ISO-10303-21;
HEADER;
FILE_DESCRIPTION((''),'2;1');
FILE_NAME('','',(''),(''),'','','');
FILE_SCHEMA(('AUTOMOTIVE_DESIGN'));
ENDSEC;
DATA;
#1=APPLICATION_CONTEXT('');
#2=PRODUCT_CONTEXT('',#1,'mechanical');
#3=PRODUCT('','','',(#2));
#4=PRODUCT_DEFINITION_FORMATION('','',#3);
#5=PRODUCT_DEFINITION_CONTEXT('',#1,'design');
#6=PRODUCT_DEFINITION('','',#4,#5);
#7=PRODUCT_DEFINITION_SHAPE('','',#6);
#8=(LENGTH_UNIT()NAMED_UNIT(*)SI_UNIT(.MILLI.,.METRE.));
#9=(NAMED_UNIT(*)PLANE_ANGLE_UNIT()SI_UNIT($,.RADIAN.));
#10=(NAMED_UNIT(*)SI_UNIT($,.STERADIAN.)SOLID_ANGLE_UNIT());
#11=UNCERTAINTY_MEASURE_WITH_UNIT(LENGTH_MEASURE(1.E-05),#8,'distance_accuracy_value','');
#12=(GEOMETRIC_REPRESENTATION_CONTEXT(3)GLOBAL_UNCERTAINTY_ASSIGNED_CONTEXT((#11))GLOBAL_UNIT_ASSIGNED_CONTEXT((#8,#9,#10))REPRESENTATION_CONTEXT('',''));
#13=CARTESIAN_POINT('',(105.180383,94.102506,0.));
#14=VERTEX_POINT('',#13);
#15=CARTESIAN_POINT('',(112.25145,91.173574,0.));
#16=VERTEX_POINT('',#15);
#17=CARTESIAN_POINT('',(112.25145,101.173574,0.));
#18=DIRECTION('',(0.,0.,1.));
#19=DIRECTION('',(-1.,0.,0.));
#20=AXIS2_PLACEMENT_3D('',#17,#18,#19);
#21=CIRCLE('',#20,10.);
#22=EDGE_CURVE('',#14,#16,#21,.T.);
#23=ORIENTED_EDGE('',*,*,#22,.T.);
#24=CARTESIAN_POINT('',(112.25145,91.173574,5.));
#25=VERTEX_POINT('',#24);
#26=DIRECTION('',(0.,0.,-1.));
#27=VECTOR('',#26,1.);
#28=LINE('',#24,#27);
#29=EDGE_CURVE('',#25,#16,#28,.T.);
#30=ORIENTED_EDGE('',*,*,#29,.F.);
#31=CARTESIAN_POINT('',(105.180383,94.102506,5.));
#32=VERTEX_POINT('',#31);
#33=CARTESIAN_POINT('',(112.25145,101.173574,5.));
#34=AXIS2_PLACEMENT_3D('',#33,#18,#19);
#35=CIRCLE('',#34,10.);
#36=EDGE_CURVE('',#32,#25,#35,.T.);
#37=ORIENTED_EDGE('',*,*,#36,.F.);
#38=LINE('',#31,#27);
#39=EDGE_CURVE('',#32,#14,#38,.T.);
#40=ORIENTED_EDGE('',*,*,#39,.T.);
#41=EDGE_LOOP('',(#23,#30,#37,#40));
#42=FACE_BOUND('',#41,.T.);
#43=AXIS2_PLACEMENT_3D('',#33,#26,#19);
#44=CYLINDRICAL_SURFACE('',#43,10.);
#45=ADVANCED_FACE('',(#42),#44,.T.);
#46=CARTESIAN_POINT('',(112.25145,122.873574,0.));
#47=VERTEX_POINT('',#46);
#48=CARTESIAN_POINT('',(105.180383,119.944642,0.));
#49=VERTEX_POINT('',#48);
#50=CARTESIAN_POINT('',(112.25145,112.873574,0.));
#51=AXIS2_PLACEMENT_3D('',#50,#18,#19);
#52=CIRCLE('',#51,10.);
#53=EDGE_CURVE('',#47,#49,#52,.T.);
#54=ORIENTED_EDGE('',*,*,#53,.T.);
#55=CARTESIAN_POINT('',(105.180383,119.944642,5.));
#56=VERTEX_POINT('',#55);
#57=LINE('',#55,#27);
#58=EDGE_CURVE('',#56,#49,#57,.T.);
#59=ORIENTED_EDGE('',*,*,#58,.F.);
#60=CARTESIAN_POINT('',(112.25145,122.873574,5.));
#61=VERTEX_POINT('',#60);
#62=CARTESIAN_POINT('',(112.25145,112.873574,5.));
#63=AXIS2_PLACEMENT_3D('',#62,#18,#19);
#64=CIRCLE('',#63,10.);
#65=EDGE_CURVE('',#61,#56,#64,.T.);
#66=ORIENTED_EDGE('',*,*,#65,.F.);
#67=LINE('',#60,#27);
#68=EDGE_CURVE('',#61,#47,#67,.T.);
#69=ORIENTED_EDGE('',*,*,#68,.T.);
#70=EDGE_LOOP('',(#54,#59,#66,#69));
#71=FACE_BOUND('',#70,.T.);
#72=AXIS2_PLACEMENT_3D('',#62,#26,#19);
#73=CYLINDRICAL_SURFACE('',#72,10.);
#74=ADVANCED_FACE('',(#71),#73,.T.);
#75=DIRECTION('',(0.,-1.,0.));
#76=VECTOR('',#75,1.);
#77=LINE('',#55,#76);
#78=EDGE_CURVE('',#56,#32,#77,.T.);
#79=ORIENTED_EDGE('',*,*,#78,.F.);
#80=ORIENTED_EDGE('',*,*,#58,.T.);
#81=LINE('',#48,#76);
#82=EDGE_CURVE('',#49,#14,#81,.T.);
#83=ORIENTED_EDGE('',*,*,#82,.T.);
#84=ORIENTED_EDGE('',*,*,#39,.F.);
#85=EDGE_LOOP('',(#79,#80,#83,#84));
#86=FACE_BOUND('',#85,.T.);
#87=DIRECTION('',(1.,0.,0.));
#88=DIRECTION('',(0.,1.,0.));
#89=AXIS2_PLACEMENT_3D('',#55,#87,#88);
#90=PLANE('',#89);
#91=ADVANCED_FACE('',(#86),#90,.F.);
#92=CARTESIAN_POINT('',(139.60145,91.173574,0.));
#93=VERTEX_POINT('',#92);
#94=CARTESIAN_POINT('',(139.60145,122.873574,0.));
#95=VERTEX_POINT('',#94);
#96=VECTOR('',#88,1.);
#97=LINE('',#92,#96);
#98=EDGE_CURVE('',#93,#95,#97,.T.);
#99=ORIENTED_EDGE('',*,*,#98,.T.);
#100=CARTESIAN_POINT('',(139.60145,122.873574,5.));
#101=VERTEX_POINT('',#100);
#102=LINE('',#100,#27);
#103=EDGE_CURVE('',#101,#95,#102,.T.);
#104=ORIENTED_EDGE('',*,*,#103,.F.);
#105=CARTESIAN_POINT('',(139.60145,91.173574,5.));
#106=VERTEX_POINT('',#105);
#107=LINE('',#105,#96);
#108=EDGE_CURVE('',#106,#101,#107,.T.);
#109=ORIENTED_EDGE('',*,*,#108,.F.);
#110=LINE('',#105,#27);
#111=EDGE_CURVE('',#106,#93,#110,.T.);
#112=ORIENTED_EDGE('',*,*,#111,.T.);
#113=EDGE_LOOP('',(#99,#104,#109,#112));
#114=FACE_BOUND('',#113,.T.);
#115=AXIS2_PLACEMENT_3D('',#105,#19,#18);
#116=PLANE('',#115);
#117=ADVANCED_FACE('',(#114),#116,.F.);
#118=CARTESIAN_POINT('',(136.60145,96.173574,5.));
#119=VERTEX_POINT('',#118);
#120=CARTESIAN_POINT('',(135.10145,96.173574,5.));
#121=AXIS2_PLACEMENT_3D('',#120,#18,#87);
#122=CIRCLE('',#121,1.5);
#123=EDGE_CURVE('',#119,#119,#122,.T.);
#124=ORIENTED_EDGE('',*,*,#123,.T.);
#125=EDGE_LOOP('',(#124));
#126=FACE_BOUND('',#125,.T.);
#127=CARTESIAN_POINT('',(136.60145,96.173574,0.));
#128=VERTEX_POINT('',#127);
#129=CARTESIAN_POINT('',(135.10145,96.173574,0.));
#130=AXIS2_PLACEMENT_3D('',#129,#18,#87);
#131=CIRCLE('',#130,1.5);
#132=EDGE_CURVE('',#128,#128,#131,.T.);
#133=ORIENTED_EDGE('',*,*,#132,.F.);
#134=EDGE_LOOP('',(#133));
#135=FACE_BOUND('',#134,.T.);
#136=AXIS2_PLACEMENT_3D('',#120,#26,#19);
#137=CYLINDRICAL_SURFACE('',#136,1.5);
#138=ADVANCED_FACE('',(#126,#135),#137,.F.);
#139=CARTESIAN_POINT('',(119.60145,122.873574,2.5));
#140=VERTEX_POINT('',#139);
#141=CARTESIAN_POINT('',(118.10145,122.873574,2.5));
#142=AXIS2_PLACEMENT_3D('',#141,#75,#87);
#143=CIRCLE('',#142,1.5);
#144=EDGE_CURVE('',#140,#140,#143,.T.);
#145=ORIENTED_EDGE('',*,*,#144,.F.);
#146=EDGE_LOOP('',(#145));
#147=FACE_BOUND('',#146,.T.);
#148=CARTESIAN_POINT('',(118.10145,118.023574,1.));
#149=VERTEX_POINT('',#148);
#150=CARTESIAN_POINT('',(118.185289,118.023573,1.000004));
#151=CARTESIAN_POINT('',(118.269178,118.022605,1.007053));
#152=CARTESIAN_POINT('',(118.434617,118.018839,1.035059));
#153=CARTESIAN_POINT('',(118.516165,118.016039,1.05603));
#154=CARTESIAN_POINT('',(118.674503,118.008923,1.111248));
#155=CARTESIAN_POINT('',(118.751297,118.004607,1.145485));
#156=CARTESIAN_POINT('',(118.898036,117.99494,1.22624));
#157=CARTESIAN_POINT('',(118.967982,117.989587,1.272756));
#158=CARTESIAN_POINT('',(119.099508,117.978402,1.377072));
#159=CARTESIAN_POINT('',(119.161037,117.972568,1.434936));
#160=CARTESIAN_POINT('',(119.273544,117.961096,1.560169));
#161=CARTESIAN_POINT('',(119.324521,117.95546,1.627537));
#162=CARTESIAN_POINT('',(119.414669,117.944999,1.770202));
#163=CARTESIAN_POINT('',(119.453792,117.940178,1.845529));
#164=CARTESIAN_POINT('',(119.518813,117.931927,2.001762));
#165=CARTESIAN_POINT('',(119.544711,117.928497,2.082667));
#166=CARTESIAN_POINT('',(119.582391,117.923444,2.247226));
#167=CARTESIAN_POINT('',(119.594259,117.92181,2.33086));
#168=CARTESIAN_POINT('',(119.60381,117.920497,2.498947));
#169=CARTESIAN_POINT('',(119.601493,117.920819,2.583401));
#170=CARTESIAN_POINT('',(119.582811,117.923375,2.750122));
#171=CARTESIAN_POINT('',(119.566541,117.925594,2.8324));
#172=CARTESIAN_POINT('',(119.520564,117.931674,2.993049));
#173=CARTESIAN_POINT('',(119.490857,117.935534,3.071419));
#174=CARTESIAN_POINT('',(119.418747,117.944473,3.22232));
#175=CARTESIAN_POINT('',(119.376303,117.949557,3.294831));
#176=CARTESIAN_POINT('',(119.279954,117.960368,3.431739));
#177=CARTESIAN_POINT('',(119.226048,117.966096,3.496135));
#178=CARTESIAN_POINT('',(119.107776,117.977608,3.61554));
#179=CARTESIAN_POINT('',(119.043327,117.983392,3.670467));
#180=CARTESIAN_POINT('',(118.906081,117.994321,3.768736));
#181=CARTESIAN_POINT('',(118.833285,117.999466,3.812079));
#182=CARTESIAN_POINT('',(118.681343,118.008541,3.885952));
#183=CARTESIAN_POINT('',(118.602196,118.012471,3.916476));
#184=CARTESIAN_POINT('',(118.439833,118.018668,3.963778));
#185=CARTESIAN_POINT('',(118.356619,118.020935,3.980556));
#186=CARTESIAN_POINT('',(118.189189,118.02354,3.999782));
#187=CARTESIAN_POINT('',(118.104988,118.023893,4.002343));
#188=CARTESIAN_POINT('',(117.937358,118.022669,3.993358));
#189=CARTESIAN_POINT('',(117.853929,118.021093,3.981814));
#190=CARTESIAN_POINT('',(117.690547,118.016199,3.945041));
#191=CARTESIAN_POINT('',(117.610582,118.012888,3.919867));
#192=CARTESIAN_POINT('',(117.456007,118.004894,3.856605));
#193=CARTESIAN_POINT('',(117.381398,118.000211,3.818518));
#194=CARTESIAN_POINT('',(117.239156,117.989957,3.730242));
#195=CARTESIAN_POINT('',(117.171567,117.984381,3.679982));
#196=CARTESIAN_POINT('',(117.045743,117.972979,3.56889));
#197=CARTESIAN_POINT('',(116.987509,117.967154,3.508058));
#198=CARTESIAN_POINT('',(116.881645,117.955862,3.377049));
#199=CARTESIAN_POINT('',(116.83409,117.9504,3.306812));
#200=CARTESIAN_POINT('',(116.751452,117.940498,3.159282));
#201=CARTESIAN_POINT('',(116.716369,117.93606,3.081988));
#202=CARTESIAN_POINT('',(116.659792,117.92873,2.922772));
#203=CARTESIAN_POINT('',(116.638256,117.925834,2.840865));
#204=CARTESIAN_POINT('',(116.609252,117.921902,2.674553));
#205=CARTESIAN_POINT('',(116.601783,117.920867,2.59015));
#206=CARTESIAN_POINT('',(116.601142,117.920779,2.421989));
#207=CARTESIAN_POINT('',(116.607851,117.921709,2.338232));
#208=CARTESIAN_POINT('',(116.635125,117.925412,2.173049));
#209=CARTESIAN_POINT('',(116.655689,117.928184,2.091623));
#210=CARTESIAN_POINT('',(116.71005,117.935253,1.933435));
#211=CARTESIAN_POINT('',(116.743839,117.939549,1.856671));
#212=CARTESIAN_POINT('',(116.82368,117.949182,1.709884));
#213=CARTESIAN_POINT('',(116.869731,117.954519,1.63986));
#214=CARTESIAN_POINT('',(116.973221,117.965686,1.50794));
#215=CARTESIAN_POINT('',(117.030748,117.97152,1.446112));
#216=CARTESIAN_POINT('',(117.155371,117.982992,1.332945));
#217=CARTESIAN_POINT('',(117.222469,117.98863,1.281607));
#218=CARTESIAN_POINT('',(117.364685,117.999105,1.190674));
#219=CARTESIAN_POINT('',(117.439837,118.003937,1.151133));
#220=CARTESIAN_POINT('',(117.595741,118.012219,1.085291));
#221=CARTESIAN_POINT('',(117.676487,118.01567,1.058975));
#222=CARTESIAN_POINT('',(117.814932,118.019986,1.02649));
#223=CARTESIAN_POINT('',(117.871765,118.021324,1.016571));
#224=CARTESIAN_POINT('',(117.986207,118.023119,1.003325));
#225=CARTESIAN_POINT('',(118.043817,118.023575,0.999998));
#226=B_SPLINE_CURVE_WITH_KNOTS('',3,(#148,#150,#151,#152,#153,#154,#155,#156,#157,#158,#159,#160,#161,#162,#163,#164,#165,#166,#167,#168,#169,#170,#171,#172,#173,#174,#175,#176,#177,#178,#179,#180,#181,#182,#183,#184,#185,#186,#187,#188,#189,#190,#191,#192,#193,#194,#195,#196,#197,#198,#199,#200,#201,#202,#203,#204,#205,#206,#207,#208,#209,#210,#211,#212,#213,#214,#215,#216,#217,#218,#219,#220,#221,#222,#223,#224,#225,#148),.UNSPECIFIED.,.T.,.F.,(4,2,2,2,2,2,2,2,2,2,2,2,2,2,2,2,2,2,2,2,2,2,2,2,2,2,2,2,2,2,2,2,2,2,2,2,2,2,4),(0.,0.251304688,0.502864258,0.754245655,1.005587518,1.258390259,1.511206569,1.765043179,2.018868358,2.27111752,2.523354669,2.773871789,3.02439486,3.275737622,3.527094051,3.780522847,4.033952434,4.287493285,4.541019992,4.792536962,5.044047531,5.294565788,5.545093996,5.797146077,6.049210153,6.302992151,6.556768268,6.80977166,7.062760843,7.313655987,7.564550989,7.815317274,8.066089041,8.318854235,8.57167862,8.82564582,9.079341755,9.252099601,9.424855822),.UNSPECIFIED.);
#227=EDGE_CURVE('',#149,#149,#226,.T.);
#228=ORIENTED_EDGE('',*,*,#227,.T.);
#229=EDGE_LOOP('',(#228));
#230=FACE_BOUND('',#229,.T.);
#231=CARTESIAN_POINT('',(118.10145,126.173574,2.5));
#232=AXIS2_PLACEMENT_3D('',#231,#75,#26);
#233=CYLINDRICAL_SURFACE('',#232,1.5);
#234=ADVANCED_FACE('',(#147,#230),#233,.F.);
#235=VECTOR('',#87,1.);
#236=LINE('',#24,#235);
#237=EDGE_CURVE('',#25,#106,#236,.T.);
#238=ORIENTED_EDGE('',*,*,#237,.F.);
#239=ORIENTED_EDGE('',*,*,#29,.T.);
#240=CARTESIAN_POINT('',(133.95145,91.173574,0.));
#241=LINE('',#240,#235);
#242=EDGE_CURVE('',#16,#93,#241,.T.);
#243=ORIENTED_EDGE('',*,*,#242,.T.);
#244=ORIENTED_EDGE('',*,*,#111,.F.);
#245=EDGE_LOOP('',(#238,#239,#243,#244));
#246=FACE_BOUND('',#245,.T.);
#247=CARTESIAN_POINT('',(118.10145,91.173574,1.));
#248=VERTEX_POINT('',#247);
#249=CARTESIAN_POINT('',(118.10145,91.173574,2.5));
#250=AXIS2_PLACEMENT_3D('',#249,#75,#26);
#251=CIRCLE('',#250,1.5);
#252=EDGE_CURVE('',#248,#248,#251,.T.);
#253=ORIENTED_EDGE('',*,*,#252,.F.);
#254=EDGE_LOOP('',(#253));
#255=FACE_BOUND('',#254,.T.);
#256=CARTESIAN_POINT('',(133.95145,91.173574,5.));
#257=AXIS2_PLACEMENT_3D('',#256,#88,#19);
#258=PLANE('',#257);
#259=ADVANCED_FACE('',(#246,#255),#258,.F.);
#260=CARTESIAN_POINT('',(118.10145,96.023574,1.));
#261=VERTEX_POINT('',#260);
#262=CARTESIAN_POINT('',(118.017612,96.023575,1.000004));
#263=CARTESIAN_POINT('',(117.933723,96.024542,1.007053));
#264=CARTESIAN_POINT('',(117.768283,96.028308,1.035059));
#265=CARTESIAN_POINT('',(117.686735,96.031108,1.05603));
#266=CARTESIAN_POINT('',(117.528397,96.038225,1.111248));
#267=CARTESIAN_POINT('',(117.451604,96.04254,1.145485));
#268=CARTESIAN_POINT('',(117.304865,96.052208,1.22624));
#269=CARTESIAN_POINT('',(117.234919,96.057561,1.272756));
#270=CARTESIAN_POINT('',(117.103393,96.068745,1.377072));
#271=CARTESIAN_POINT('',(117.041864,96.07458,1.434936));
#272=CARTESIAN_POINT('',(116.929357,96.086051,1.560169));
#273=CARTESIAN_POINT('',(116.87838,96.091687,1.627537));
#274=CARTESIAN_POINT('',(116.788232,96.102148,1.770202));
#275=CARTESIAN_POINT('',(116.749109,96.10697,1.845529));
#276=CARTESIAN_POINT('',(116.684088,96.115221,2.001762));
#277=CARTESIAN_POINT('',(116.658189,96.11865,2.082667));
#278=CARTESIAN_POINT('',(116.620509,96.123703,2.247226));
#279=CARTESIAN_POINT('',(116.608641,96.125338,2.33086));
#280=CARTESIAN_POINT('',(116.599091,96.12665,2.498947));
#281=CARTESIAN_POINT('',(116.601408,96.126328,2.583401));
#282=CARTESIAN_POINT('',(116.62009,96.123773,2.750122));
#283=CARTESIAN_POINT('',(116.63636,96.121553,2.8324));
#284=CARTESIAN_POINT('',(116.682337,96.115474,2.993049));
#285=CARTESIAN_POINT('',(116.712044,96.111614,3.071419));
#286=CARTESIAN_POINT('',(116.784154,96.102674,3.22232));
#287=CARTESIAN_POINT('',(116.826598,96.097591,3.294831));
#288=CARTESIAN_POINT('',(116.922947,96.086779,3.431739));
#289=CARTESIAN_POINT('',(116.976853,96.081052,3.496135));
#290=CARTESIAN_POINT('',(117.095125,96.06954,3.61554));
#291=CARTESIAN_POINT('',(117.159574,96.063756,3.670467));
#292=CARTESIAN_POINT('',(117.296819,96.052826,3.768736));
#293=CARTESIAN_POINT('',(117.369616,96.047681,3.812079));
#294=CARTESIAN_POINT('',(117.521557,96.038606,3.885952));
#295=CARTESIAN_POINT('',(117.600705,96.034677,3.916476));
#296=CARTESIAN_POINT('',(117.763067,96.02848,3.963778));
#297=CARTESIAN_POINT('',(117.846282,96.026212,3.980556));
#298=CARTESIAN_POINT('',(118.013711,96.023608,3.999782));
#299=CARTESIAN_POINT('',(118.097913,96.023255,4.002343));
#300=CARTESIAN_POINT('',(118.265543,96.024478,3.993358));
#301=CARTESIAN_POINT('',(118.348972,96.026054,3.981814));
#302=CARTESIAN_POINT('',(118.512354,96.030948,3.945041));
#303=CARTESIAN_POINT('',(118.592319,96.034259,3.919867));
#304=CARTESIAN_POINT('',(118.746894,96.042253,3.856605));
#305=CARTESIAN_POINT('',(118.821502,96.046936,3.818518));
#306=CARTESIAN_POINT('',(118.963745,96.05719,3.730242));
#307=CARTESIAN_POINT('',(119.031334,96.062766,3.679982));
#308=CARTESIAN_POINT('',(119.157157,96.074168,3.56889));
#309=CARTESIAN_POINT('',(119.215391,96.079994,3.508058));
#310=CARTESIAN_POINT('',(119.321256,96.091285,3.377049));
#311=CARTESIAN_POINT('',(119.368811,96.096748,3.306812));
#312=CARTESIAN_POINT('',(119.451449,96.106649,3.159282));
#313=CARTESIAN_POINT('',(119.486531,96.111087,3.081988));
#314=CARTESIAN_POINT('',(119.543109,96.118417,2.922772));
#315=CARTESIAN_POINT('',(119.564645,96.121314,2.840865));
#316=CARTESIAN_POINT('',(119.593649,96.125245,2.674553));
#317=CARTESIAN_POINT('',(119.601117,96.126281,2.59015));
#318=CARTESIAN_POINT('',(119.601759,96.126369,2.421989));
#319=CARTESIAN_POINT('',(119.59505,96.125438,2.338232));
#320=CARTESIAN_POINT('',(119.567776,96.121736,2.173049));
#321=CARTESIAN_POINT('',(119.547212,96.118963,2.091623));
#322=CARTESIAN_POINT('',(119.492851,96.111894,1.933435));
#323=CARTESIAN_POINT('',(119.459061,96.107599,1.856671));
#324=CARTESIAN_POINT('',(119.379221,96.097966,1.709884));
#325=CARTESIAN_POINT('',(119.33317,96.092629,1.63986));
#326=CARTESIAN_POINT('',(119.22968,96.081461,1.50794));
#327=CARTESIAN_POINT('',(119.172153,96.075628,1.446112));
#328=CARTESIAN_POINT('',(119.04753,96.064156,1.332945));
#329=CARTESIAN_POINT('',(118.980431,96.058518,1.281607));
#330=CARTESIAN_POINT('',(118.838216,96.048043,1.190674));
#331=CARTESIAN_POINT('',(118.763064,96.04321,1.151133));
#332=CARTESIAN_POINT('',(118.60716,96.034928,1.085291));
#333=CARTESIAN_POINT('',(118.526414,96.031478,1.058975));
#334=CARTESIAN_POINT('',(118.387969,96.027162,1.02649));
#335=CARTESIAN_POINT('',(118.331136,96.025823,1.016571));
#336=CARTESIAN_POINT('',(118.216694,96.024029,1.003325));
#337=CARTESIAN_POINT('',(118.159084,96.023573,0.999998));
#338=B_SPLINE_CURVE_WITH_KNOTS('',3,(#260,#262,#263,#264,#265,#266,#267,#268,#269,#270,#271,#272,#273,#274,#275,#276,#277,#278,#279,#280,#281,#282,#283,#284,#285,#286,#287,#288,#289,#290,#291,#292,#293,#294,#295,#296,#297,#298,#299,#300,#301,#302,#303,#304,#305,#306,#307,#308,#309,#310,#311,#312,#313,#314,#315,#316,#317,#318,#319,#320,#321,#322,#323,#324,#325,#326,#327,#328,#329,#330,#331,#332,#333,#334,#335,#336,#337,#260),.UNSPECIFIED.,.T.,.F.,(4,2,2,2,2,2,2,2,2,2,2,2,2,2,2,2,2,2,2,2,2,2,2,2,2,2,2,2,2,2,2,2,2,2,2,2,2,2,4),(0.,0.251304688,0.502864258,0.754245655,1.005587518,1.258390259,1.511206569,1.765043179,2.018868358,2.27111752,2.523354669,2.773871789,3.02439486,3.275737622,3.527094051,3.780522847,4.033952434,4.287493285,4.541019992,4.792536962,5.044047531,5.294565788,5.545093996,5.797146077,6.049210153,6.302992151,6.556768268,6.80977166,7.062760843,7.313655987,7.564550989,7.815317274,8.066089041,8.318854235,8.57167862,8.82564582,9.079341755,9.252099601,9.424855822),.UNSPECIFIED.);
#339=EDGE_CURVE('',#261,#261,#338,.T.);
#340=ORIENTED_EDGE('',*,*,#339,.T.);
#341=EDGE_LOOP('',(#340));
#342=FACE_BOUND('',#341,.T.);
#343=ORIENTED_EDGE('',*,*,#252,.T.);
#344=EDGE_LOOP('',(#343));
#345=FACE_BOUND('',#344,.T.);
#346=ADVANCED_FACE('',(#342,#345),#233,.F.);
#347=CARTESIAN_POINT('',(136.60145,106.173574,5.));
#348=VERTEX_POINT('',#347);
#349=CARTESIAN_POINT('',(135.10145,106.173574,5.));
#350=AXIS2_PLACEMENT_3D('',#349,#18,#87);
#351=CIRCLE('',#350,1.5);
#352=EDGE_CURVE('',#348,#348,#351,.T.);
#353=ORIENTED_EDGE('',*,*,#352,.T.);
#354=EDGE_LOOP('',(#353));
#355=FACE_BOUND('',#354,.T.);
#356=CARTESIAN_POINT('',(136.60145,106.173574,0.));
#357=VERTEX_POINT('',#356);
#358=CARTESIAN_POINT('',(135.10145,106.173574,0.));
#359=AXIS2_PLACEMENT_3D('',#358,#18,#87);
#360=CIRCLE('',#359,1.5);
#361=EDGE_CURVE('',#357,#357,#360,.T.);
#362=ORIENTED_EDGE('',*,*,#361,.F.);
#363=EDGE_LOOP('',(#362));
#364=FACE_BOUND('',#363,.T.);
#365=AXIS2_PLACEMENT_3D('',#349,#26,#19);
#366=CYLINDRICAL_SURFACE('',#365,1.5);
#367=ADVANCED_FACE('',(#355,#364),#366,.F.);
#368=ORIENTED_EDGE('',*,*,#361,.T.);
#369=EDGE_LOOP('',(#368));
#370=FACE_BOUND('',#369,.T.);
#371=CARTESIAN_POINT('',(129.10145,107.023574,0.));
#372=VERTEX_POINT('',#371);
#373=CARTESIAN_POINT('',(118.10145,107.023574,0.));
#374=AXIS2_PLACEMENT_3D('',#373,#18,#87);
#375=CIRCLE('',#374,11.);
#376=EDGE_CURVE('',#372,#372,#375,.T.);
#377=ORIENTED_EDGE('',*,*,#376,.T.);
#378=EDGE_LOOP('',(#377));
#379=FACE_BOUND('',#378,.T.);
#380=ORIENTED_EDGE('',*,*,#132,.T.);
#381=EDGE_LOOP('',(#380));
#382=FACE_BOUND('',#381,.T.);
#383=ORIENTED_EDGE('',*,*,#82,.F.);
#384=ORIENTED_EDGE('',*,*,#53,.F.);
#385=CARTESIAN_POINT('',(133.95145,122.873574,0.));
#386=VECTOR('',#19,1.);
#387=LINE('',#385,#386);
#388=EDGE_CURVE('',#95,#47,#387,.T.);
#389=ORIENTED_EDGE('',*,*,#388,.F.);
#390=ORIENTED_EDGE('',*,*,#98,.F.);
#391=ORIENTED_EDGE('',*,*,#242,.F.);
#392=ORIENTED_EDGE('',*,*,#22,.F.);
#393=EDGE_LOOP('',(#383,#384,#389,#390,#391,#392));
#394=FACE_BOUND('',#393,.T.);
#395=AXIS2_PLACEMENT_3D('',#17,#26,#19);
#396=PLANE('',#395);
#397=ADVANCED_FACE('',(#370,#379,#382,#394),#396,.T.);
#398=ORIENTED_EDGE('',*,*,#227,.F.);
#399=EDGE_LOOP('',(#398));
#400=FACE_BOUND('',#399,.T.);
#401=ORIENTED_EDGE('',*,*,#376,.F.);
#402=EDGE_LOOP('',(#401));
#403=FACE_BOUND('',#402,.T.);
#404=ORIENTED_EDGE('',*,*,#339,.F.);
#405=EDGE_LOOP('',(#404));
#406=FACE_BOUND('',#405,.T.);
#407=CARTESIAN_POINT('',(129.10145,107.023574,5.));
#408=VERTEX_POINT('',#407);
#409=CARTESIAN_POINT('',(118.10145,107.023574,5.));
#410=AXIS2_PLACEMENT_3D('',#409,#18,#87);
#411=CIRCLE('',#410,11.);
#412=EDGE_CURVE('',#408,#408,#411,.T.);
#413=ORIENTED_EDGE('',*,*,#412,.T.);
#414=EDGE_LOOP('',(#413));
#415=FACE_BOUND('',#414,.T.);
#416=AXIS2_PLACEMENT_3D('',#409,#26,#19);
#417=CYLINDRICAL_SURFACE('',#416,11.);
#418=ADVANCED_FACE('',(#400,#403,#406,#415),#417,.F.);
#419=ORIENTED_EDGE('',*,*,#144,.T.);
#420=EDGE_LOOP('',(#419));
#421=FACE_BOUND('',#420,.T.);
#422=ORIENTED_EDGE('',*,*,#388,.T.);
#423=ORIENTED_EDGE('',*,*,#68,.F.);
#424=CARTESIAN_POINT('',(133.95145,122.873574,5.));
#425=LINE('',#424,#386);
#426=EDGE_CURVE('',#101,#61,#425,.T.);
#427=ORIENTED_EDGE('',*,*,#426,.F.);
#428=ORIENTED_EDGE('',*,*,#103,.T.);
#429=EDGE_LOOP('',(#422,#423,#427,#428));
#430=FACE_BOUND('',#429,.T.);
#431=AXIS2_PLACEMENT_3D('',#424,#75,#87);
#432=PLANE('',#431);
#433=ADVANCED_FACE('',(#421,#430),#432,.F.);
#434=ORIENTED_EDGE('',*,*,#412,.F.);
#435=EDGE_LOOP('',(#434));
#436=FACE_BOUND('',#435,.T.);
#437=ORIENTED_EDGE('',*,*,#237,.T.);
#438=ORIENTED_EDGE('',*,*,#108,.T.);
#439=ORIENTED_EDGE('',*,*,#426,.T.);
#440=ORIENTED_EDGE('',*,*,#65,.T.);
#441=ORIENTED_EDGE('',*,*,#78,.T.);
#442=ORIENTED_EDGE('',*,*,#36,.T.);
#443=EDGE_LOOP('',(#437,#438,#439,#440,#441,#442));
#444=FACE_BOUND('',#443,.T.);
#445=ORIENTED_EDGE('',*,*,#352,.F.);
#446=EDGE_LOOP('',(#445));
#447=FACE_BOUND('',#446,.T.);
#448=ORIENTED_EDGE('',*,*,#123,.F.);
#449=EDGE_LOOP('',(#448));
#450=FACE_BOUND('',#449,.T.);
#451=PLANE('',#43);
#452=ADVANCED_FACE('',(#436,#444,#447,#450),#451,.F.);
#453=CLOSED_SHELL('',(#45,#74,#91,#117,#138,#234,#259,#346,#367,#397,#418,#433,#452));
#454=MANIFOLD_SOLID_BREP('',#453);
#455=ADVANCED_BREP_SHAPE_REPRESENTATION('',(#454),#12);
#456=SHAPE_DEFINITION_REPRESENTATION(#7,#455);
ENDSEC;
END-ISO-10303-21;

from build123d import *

# Parameters (mm, degrees)
MODEL_R                 = 11
MODEL_R_2               = 1.5
SALIENTE_EXTRUIR1_DEPTH = 5
CROQUIS2_R              = 1.5
CORTAR_EXTRUIR1_DEPTH   = 35


with BuildPart() as part:
    # Model → Saliente-Extruir1 (new body)
    with BuildSketch(Plane.XY):
        with BuildLine():
            Line((112.251450395, 91.173573784), (133.951450395, 91.173573784))
            Line((133.951450395, 91.173573784), (139.601450395, 91.173573784))
            Line((139.601450395, 91.173573784), (139.601450395, 122.873573784))
            Line((139.601450395, 122.873573784), (133.951450395, 122.873573784))
            Line((133.951450395, 122.873573784), (112.251450395, 122.873573784))
            ThreePointArc((112.251450395, 122.873573784), (108.424616072, 122.112369109), (105.180382583, 119.944641596))
            Line((105.180382583, 119.944641596), (105.180382583, 94.102505972))
            ThreePointArc((105.180382583, 94.102505972), (108.424616072, 91.934778459), (112.251450395, 91.173573784))
        make_face()
        with Locations((118.101450395, 107.023573784)):
            Circle(MODEL_R, mode=Mode.SUBTRACT)
        with Locations((135.101450395, 106.173573784)):
            Circle(MODEL_R_2, mode=Mode.SUBTRACT)
        with Locations((135.101450395, 96.173573784)):
            Circle(MODEL_R_2, mode=Mode.SUBTRACT)
    extrude(amount=SALIENTE_EXTRUIR1_DEPTH)

    # Croquis2 → Cortar-Extruir1 (cut)
    with BuildSketch(Plane.XZ.offset(-91.173573784)):
        with Locations(Location((118.101450395, 2.5, 0), (0, 0, 270))):
            Circle(CROQUIS2_R)
    extrude(amount=-CORTAR_EXTRUIR1_DEPTH, mode=Mode.SUBTRACT)


solid = part.part
